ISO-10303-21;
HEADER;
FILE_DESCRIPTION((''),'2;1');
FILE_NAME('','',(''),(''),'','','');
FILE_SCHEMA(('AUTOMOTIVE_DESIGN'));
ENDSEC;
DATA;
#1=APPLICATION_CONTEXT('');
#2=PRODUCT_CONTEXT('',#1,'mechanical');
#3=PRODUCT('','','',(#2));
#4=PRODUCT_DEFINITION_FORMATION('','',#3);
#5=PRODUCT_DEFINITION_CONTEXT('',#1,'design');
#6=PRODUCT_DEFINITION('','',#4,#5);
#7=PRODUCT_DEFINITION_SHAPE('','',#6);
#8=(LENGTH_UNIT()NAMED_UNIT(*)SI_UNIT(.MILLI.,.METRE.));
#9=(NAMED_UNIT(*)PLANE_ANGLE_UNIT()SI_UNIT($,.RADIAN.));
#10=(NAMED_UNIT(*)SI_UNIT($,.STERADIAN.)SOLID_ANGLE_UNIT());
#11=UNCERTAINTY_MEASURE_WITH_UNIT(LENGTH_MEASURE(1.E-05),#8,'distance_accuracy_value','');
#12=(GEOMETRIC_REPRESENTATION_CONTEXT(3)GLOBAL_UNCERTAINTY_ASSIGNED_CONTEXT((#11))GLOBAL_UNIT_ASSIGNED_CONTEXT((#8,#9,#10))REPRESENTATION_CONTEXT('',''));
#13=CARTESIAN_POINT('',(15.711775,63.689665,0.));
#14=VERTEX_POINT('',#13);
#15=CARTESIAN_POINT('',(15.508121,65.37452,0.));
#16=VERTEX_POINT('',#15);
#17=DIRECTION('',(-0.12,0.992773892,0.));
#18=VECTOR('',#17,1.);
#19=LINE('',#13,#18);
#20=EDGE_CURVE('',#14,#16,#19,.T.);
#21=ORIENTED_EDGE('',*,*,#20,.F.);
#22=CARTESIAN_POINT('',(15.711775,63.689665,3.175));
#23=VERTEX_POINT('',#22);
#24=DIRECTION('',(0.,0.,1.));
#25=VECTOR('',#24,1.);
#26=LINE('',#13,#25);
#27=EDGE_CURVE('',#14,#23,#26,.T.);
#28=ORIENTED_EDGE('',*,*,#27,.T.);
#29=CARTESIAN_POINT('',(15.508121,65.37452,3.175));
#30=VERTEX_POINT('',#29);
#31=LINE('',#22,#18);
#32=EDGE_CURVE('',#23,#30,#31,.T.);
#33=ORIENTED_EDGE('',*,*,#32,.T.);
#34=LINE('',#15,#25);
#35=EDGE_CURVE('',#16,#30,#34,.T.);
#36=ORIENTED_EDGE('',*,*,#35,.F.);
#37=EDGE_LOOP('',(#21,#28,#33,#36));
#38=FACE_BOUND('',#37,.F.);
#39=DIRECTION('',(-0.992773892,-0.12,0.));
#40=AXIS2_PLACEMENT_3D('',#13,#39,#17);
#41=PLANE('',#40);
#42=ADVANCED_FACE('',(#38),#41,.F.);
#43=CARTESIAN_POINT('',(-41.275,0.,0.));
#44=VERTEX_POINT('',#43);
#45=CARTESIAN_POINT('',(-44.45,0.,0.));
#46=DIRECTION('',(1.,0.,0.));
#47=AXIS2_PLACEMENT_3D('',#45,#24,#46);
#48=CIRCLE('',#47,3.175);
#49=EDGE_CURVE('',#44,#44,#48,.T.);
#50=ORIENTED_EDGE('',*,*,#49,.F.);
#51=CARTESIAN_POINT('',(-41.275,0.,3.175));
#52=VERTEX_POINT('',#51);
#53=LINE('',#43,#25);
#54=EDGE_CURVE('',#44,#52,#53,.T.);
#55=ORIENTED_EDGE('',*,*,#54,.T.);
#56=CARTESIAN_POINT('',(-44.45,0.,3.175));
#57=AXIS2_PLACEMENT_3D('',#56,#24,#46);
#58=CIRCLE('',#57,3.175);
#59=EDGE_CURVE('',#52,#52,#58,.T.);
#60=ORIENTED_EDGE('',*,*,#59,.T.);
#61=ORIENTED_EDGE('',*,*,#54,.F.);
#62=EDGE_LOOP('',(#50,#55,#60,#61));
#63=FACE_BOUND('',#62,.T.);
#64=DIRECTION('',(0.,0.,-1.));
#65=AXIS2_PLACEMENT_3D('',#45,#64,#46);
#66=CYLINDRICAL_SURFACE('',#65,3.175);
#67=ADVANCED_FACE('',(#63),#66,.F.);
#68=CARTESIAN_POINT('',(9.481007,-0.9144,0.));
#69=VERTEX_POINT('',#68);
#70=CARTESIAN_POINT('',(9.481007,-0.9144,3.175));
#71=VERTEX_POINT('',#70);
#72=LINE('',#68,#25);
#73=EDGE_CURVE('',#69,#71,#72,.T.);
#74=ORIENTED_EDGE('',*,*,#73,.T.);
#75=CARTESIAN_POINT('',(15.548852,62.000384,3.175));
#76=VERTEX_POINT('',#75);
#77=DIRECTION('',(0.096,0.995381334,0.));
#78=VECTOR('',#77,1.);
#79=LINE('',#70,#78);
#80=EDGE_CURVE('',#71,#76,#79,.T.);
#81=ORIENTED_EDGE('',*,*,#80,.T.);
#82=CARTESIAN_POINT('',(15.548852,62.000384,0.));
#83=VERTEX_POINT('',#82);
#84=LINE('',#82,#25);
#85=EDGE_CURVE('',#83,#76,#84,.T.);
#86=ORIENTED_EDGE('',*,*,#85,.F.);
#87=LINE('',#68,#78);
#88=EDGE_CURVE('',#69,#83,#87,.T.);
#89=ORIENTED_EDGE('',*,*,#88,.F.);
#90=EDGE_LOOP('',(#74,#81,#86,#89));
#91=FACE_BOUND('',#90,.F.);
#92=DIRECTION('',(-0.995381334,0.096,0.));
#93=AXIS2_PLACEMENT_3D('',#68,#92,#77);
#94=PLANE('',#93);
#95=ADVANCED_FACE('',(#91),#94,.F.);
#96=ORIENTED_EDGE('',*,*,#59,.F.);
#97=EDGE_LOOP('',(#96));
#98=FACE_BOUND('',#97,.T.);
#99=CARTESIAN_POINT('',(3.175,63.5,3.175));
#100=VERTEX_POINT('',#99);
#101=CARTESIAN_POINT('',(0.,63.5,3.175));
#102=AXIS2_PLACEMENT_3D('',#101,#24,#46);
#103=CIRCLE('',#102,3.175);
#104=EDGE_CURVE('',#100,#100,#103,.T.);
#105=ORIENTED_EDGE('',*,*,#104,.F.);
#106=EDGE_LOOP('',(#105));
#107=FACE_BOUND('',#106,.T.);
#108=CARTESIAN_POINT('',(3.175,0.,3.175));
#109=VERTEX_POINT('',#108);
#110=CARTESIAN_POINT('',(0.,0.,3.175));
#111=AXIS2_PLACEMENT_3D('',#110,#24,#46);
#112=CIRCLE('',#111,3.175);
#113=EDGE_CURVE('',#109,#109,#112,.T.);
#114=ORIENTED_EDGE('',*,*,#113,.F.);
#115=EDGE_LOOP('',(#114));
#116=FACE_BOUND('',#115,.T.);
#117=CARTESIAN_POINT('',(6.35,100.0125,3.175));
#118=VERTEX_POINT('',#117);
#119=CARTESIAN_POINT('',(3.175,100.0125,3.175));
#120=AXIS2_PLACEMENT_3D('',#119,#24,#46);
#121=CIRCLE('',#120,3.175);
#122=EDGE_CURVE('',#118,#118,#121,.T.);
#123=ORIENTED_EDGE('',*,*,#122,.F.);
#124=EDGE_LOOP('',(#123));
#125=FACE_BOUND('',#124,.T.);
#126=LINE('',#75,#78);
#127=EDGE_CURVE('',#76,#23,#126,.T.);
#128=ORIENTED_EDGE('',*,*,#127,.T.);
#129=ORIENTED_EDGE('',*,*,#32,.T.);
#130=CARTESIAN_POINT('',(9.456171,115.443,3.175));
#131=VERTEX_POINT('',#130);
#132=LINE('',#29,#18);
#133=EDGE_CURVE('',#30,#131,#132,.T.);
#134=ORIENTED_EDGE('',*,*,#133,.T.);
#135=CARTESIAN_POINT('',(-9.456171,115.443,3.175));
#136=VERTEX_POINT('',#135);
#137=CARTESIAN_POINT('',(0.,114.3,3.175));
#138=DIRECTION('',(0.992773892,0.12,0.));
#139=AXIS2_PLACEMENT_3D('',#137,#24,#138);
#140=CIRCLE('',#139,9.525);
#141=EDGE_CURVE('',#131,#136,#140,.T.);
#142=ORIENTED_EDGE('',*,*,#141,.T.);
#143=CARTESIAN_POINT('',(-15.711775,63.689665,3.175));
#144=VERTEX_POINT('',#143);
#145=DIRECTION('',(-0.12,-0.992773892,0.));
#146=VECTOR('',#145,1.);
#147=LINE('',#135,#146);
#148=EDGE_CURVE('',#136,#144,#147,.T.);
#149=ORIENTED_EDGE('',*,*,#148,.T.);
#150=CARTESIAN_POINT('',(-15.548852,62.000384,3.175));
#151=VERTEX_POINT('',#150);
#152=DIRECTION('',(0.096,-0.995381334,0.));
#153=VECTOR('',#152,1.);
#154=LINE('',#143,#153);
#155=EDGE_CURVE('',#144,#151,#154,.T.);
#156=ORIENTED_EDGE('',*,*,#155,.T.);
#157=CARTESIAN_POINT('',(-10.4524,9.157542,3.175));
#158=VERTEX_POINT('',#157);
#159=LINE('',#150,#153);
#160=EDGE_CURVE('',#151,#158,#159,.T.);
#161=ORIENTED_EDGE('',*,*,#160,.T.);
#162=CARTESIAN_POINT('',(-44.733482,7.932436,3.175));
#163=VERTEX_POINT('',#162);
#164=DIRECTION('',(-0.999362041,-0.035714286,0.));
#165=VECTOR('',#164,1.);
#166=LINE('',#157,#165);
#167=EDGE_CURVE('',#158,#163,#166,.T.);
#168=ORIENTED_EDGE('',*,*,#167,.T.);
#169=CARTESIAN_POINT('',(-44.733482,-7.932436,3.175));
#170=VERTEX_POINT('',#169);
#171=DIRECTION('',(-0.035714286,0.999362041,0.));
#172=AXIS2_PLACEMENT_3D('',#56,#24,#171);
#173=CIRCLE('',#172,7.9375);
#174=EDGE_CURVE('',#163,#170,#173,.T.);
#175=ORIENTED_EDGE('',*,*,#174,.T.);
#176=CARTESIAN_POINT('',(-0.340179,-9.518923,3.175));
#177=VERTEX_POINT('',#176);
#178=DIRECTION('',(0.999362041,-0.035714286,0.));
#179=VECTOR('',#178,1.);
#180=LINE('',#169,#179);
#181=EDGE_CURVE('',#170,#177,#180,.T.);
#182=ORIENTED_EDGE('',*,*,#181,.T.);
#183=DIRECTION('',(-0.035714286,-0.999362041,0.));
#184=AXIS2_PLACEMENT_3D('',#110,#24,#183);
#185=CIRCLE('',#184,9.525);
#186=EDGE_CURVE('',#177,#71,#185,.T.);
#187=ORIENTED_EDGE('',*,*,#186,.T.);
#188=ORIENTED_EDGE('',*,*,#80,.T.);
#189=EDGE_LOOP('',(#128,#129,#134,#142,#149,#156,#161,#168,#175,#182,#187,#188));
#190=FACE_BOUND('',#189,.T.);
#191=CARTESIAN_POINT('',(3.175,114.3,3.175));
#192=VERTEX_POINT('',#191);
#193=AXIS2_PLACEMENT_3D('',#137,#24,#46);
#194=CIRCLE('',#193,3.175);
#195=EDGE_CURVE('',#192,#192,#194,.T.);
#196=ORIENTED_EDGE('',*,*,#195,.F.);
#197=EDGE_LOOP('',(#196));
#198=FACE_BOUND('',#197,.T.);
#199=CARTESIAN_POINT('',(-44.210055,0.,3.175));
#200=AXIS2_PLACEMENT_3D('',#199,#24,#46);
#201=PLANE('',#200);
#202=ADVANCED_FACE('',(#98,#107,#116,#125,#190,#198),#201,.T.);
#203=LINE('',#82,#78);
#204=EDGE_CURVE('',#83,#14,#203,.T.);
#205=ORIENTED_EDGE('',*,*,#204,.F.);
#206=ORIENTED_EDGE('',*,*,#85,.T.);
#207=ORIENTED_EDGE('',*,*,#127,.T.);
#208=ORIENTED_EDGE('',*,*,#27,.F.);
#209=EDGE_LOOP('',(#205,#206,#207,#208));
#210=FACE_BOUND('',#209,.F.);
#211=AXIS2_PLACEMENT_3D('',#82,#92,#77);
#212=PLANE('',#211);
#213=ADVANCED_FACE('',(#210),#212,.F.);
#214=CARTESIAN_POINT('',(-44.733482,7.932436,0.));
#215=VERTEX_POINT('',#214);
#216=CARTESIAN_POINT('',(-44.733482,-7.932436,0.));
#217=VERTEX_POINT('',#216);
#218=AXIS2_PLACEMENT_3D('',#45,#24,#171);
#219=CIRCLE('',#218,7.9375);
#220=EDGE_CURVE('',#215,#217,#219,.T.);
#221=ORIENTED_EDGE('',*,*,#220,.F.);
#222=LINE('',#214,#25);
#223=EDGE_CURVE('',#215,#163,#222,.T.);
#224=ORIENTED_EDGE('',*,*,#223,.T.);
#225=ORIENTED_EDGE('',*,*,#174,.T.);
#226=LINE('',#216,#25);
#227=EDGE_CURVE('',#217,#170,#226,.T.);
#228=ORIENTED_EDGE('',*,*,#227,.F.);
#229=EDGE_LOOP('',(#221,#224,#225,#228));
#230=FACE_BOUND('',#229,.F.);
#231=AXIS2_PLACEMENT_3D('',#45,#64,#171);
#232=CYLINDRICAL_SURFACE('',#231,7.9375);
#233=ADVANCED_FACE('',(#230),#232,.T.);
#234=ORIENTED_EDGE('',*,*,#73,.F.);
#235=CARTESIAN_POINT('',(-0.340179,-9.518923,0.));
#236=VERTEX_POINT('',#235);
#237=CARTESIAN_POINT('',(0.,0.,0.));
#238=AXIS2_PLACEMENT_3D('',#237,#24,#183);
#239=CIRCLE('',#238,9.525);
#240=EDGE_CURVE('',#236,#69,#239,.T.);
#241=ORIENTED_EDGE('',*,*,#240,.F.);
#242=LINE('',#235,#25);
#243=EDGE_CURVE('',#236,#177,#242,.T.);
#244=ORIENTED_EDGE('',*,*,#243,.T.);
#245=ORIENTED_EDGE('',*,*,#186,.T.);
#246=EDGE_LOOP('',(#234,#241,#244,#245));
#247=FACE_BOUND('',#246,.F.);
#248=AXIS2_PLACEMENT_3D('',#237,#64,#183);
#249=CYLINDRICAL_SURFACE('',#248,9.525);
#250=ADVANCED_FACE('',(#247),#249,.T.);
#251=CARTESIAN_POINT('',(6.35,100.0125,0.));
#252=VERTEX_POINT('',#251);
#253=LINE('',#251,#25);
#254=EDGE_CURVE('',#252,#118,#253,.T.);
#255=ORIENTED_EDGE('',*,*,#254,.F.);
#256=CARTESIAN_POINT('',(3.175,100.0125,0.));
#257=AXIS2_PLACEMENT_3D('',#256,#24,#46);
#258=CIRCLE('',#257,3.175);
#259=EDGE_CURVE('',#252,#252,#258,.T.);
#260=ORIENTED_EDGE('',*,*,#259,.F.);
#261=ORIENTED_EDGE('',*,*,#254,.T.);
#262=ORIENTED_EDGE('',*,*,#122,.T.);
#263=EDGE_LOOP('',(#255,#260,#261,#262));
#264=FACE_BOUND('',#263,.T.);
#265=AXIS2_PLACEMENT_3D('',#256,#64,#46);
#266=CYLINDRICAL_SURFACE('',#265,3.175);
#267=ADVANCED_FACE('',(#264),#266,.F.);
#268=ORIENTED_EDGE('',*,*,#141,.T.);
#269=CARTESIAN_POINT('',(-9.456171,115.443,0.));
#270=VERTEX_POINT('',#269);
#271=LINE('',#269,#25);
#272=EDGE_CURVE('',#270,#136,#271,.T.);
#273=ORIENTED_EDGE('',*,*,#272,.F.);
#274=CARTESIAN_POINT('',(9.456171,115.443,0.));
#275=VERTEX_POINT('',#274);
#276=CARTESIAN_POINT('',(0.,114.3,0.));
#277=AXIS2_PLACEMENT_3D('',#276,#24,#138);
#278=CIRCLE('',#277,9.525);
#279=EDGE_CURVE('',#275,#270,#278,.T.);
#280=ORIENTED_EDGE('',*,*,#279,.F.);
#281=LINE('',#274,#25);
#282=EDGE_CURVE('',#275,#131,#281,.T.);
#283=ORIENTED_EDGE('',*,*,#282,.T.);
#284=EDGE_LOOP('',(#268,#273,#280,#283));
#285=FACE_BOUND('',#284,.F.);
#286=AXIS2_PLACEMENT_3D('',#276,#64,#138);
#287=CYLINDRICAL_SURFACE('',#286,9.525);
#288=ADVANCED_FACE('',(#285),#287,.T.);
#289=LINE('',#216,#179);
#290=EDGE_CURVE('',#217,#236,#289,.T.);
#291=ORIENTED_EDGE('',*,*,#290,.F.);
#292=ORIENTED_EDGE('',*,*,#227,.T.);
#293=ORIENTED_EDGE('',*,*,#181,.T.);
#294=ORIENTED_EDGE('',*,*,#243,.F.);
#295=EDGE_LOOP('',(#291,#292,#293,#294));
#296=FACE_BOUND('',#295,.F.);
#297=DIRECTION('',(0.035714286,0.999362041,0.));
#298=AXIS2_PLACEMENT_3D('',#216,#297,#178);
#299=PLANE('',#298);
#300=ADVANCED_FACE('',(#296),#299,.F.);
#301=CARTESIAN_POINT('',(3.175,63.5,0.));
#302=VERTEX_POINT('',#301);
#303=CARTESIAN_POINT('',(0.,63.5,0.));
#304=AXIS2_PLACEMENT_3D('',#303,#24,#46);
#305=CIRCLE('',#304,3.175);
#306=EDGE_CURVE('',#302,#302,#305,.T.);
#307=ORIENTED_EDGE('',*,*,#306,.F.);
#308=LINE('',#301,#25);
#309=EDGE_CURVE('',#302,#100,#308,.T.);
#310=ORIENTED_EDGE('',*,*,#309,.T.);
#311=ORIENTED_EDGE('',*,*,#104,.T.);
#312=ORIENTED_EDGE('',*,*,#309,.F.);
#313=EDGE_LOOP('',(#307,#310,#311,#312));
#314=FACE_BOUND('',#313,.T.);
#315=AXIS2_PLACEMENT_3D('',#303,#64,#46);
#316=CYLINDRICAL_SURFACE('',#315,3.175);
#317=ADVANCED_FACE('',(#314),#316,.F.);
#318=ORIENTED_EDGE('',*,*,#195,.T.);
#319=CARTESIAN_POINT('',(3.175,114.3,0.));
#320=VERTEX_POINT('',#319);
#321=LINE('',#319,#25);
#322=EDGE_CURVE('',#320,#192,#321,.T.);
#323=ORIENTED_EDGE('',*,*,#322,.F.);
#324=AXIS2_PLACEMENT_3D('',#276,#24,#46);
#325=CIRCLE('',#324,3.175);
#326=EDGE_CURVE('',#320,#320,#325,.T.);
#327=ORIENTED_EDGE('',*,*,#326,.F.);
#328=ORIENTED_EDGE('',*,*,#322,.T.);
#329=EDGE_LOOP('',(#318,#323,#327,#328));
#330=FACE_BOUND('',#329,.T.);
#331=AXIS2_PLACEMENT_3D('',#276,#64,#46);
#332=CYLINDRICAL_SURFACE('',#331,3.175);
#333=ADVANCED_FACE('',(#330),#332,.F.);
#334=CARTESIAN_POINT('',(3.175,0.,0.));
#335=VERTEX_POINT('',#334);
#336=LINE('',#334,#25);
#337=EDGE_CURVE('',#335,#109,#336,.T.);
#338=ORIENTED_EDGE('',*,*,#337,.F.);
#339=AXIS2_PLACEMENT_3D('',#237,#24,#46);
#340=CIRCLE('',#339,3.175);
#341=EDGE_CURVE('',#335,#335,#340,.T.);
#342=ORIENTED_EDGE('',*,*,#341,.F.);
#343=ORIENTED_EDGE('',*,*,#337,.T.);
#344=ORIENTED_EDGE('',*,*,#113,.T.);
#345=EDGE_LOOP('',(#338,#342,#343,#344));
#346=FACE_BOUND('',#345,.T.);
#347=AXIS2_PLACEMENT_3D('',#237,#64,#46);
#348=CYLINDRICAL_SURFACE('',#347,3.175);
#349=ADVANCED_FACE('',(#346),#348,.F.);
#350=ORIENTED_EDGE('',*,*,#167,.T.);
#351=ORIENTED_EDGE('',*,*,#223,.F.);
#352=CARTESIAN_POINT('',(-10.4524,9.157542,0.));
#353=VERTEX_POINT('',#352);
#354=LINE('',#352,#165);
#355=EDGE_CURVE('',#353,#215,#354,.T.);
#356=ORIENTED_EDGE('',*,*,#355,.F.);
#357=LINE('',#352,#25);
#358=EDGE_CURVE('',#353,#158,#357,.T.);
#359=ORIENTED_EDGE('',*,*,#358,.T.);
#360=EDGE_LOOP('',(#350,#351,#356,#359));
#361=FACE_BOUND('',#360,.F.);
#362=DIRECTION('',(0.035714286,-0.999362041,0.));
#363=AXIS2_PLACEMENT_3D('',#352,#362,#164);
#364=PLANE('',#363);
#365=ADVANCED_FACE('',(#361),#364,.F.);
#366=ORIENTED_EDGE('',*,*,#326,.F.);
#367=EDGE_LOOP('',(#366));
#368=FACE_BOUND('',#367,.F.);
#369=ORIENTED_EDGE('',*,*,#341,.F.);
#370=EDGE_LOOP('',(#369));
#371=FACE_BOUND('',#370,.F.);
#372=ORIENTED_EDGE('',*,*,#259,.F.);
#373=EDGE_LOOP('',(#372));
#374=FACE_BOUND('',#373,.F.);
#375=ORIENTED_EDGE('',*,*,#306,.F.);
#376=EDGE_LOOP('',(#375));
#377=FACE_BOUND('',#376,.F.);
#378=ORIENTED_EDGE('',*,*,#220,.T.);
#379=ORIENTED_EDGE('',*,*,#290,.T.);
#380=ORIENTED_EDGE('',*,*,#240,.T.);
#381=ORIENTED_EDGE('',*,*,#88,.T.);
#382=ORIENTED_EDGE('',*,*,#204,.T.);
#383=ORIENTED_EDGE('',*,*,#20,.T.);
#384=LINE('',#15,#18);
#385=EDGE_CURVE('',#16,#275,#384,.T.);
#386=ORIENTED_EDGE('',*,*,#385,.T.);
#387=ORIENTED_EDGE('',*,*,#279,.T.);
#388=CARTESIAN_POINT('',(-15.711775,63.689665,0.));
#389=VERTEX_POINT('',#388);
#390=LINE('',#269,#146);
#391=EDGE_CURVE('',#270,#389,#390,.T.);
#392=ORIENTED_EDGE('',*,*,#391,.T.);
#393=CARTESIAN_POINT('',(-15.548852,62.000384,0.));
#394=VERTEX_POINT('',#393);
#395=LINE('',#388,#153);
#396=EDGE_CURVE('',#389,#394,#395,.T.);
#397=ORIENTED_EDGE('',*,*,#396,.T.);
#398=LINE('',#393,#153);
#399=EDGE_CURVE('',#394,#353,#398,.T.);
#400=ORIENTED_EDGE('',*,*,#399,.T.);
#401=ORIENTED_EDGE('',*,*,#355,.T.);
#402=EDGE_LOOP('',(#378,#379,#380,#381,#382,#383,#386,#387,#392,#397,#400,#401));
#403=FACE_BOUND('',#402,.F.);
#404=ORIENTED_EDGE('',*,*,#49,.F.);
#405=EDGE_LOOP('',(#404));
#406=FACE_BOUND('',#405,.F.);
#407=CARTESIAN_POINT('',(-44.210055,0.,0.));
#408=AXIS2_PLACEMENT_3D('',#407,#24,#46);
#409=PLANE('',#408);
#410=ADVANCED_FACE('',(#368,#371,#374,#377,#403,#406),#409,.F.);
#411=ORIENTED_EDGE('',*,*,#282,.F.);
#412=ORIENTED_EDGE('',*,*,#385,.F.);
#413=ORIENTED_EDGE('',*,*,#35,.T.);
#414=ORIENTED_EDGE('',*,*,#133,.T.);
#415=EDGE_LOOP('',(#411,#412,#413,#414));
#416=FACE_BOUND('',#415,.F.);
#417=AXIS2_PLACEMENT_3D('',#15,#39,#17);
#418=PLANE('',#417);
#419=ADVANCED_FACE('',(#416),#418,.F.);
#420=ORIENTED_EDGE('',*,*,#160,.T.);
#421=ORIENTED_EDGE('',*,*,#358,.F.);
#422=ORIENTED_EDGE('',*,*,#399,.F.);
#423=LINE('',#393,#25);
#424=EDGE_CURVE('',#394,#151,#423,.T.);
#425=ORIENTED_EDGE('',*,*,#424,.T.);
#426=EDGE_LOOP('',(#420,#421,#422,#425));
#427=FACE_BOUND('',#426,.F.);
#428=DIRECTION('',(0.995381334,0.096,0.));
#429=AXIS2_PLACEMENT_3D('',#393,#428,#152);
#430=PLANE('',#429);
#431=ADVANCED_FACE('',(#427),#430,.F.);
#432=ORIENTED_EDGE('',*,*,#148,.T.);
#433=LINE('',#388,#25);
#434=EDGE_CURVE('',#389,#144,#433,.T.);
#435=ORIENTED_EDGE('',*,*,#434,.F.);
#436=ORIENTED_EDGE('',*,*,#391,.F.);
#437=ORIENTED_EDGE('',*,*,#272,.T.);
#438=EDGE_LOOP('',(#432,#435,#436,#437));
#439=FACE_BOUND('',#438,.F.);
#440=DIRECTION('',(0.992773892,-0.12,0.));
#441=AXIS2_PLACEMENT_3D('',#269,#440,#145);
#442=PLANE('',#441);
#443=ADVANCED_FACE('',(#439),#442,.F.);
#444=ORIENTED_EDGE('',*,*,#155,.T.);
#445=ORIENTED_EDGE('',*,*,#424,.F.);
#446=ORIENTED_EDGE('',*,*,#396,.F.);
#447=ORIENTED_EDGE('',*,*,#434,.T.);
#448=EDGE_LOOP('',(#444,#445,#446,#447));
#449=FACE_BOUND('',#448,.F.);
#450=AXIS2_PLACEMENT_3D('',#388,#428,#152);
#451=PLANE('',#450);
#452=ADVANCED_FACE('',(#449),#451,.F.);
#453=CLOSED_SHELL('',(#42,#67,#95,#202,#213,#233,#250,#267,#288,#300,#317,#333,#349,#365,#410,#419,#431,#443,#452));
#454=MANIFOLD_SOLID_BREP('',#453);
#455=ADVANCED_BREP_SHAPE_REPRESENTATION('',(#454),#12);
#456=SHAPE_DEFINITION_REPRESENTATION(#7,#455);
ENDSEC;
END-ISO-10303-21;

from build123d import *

# Parameters (mm, degrees)
F0_R     = 3.175
F1_DEPTH = 3.175


with BuildPart() as f1:
    # F0 (on Top) → F1 (new body)
    with BuildSketch(Plane.XY):
        with BuildLine():
            ThreePointArc((-44.7334821429, -7.9324362036), (-38.9384772185, -5.7120069047), (-36.5125, 0))
            ThreePointArc((-36.5125, 0), (-38.9384772185, 5.7120069047), (-44.7334821429, 7.9324362036))
            ThreePointArc((-44.7334821429, 7.9324362036), (-52.3875, 0), (-44.7334821429, -7.9324362036))
        make_face()
        with Locations((-44.45, 0)):
            Circle(F0_R, mode=Mode.SUBTRACT)
        with BuildLine():
            ThreePointArc((-44.7334821429, 7.9324362036), (-38.9384772185, 5.7120069047), (-36.5125, 0))
            ThreePointArc((-36.5125, 0), (-38.9384772185, -5.7120069047), (-44.7334821429, -7.9324362036))
            Line((-44.7334821429, -7.9324362036), (-0.3401785714, -9.5189234444))
            ThreePointArc((-0.3401785714, -9.5189234444), (-9.525, 0), (-0.3401785714, 9.5189234444))
            ThreePointArc((-0.3401785714, 9.5189234444), (6.6138273378, 6.8544082857), (9.525, 0))
            ThreePointArc((9.525, 0), (9.5139954445, -0.4577288296), (9.481007206, -0.9144))
            Line((9.481007206, -0.9144), (15.5488518158, 62.0003839793))
            ThreePointArc((15.5488518158, 62.0003839793), (-2.48e-07, 47.879), (-15.5488518634, 62.0003844731))
            Line((-15.5488518634, 62.0003844731), (-10.4524001899, 9.157542126))
            Line((-10.4524001899, 9.157542126), (-44.7334821429, 7.9324362036))
        make_face()
        with BuildLine():
            ThreePointArc((-0.3401785714, 9.5189234444), (-9.525, 0), (-0.3401785714, -9.5189234444))
            ThreePointArc((-0.3401785714, -9.5189234444), (6.2767940031, -7.1643200684), (9.481007206, -0.9144))
            ThreePointArc((9.481007206, -0.9144), (9.5139954445, -0.4577288296), (9.525, 0))
            ThreePointArc((9.525, 0), (6.6138273378, 6.8544082857), (-0.3401785714, 9.5189234444))
        make_face()
        Circle(F0_R, mode=Mode.SUBTRACT)
        with BuildLine():
            Line((-15.7117752414, 63.6896645699), (-15.5488518634, 62.0003844731))
            ThreePointArc((-15.5488518634, 62.0003844731), (-15.6198619695, 63.6885551731), (-15.5081209869, 65.3745197932))
            Line((-15.5081209869, 65.3745197932), (-15.7117752414, 63.6896645699))
        make_face()
        with BuildLine():
            ThreePointArc((-15.5081209869, 65.3745197932), (-15.6198619695, 63.6885551731), (-15.5488518634, 62.0003844731))
            ThreePointArc((-15.5488518634, 62.0003844731), (-2.48e-07, 47.879), (15.5488518158, 62.0003839793))
            ThreePointArc((15.5488518158, 62.0003839793), (15.6029525285, 62.749324709), (15.621, 63.5))
            ThreePointArc((15.621, 63.5), (15.592754719, 64.4389575463), (15.5081210199, 65.37451952))
            ThreePointArc((15.5081210199, 65.37451952), (1.376e-07, 79.121), (-15.5081209869, 65.3745197932))
        make_face()
        with Locations((0, 63.5)):
            Circle(F0_R, mode=Mode.SUBTRACT)
        with BuildLine():
            Line((-9.4561713182, 115.443), (-15.5081209869, 65.3745197932))
            ThreePointArc((-15.5081209869, 65.3745197932), (1.376e-07, 79.121), (15.5081210199, 65.37451952))
            Line((15.5081210199, 65.37451952), (9.4561713182, 115.443))
            ThreePointArc((9.4561713182, 115.443), (9.5077772588, 114.8725352363), (9.525, 114.3))
            ThreePointArc((9.525, 114.3), (-0.5725352363, 104.7922227412), (-9.4561713182, 115.443))
        make_face()
        with Locations((3.175, 100.0125)):
            Circle(F0_R, mode=Mode.SUBTRACT)
        with BuildLine():
            ThreePointArc((15.621, 63.5), (15.6029525285, 62.749324709), (15.5488518158, 62.0003839793))
            Line((15.5488518158, 62.0003839793), (15.7117752414, 63.6896645699))
            Line((15.7117752414, 63.6896645699), (15.5081210199, 65.37451952))
            ThreePointArc((15.5081210199, 65.37451952), (15.592754719, 64.4389575463), (15.621, 63.5))
        make_face()
        with BuildLine():
            ThreePointArc((9.4561713182, 115.443), (0, 123.825), (-9.4561713182, 115.443))
            ThreePointArc((-9.4561713182, 115.443), (-0.5725352363, 104.7922227412), (9.525, 114.3))
            ThreePointArc((9.525, 114.3), (9.5077772588, 114.8725352363), (9.4561713182, 115.443))
        make_face()
        with Locations((0, 114.3)):
            Circle(F0_R, mode=Mode.SUBTRACT)
    extrude(amount=F1_DEPTH)


solid = f1.part
